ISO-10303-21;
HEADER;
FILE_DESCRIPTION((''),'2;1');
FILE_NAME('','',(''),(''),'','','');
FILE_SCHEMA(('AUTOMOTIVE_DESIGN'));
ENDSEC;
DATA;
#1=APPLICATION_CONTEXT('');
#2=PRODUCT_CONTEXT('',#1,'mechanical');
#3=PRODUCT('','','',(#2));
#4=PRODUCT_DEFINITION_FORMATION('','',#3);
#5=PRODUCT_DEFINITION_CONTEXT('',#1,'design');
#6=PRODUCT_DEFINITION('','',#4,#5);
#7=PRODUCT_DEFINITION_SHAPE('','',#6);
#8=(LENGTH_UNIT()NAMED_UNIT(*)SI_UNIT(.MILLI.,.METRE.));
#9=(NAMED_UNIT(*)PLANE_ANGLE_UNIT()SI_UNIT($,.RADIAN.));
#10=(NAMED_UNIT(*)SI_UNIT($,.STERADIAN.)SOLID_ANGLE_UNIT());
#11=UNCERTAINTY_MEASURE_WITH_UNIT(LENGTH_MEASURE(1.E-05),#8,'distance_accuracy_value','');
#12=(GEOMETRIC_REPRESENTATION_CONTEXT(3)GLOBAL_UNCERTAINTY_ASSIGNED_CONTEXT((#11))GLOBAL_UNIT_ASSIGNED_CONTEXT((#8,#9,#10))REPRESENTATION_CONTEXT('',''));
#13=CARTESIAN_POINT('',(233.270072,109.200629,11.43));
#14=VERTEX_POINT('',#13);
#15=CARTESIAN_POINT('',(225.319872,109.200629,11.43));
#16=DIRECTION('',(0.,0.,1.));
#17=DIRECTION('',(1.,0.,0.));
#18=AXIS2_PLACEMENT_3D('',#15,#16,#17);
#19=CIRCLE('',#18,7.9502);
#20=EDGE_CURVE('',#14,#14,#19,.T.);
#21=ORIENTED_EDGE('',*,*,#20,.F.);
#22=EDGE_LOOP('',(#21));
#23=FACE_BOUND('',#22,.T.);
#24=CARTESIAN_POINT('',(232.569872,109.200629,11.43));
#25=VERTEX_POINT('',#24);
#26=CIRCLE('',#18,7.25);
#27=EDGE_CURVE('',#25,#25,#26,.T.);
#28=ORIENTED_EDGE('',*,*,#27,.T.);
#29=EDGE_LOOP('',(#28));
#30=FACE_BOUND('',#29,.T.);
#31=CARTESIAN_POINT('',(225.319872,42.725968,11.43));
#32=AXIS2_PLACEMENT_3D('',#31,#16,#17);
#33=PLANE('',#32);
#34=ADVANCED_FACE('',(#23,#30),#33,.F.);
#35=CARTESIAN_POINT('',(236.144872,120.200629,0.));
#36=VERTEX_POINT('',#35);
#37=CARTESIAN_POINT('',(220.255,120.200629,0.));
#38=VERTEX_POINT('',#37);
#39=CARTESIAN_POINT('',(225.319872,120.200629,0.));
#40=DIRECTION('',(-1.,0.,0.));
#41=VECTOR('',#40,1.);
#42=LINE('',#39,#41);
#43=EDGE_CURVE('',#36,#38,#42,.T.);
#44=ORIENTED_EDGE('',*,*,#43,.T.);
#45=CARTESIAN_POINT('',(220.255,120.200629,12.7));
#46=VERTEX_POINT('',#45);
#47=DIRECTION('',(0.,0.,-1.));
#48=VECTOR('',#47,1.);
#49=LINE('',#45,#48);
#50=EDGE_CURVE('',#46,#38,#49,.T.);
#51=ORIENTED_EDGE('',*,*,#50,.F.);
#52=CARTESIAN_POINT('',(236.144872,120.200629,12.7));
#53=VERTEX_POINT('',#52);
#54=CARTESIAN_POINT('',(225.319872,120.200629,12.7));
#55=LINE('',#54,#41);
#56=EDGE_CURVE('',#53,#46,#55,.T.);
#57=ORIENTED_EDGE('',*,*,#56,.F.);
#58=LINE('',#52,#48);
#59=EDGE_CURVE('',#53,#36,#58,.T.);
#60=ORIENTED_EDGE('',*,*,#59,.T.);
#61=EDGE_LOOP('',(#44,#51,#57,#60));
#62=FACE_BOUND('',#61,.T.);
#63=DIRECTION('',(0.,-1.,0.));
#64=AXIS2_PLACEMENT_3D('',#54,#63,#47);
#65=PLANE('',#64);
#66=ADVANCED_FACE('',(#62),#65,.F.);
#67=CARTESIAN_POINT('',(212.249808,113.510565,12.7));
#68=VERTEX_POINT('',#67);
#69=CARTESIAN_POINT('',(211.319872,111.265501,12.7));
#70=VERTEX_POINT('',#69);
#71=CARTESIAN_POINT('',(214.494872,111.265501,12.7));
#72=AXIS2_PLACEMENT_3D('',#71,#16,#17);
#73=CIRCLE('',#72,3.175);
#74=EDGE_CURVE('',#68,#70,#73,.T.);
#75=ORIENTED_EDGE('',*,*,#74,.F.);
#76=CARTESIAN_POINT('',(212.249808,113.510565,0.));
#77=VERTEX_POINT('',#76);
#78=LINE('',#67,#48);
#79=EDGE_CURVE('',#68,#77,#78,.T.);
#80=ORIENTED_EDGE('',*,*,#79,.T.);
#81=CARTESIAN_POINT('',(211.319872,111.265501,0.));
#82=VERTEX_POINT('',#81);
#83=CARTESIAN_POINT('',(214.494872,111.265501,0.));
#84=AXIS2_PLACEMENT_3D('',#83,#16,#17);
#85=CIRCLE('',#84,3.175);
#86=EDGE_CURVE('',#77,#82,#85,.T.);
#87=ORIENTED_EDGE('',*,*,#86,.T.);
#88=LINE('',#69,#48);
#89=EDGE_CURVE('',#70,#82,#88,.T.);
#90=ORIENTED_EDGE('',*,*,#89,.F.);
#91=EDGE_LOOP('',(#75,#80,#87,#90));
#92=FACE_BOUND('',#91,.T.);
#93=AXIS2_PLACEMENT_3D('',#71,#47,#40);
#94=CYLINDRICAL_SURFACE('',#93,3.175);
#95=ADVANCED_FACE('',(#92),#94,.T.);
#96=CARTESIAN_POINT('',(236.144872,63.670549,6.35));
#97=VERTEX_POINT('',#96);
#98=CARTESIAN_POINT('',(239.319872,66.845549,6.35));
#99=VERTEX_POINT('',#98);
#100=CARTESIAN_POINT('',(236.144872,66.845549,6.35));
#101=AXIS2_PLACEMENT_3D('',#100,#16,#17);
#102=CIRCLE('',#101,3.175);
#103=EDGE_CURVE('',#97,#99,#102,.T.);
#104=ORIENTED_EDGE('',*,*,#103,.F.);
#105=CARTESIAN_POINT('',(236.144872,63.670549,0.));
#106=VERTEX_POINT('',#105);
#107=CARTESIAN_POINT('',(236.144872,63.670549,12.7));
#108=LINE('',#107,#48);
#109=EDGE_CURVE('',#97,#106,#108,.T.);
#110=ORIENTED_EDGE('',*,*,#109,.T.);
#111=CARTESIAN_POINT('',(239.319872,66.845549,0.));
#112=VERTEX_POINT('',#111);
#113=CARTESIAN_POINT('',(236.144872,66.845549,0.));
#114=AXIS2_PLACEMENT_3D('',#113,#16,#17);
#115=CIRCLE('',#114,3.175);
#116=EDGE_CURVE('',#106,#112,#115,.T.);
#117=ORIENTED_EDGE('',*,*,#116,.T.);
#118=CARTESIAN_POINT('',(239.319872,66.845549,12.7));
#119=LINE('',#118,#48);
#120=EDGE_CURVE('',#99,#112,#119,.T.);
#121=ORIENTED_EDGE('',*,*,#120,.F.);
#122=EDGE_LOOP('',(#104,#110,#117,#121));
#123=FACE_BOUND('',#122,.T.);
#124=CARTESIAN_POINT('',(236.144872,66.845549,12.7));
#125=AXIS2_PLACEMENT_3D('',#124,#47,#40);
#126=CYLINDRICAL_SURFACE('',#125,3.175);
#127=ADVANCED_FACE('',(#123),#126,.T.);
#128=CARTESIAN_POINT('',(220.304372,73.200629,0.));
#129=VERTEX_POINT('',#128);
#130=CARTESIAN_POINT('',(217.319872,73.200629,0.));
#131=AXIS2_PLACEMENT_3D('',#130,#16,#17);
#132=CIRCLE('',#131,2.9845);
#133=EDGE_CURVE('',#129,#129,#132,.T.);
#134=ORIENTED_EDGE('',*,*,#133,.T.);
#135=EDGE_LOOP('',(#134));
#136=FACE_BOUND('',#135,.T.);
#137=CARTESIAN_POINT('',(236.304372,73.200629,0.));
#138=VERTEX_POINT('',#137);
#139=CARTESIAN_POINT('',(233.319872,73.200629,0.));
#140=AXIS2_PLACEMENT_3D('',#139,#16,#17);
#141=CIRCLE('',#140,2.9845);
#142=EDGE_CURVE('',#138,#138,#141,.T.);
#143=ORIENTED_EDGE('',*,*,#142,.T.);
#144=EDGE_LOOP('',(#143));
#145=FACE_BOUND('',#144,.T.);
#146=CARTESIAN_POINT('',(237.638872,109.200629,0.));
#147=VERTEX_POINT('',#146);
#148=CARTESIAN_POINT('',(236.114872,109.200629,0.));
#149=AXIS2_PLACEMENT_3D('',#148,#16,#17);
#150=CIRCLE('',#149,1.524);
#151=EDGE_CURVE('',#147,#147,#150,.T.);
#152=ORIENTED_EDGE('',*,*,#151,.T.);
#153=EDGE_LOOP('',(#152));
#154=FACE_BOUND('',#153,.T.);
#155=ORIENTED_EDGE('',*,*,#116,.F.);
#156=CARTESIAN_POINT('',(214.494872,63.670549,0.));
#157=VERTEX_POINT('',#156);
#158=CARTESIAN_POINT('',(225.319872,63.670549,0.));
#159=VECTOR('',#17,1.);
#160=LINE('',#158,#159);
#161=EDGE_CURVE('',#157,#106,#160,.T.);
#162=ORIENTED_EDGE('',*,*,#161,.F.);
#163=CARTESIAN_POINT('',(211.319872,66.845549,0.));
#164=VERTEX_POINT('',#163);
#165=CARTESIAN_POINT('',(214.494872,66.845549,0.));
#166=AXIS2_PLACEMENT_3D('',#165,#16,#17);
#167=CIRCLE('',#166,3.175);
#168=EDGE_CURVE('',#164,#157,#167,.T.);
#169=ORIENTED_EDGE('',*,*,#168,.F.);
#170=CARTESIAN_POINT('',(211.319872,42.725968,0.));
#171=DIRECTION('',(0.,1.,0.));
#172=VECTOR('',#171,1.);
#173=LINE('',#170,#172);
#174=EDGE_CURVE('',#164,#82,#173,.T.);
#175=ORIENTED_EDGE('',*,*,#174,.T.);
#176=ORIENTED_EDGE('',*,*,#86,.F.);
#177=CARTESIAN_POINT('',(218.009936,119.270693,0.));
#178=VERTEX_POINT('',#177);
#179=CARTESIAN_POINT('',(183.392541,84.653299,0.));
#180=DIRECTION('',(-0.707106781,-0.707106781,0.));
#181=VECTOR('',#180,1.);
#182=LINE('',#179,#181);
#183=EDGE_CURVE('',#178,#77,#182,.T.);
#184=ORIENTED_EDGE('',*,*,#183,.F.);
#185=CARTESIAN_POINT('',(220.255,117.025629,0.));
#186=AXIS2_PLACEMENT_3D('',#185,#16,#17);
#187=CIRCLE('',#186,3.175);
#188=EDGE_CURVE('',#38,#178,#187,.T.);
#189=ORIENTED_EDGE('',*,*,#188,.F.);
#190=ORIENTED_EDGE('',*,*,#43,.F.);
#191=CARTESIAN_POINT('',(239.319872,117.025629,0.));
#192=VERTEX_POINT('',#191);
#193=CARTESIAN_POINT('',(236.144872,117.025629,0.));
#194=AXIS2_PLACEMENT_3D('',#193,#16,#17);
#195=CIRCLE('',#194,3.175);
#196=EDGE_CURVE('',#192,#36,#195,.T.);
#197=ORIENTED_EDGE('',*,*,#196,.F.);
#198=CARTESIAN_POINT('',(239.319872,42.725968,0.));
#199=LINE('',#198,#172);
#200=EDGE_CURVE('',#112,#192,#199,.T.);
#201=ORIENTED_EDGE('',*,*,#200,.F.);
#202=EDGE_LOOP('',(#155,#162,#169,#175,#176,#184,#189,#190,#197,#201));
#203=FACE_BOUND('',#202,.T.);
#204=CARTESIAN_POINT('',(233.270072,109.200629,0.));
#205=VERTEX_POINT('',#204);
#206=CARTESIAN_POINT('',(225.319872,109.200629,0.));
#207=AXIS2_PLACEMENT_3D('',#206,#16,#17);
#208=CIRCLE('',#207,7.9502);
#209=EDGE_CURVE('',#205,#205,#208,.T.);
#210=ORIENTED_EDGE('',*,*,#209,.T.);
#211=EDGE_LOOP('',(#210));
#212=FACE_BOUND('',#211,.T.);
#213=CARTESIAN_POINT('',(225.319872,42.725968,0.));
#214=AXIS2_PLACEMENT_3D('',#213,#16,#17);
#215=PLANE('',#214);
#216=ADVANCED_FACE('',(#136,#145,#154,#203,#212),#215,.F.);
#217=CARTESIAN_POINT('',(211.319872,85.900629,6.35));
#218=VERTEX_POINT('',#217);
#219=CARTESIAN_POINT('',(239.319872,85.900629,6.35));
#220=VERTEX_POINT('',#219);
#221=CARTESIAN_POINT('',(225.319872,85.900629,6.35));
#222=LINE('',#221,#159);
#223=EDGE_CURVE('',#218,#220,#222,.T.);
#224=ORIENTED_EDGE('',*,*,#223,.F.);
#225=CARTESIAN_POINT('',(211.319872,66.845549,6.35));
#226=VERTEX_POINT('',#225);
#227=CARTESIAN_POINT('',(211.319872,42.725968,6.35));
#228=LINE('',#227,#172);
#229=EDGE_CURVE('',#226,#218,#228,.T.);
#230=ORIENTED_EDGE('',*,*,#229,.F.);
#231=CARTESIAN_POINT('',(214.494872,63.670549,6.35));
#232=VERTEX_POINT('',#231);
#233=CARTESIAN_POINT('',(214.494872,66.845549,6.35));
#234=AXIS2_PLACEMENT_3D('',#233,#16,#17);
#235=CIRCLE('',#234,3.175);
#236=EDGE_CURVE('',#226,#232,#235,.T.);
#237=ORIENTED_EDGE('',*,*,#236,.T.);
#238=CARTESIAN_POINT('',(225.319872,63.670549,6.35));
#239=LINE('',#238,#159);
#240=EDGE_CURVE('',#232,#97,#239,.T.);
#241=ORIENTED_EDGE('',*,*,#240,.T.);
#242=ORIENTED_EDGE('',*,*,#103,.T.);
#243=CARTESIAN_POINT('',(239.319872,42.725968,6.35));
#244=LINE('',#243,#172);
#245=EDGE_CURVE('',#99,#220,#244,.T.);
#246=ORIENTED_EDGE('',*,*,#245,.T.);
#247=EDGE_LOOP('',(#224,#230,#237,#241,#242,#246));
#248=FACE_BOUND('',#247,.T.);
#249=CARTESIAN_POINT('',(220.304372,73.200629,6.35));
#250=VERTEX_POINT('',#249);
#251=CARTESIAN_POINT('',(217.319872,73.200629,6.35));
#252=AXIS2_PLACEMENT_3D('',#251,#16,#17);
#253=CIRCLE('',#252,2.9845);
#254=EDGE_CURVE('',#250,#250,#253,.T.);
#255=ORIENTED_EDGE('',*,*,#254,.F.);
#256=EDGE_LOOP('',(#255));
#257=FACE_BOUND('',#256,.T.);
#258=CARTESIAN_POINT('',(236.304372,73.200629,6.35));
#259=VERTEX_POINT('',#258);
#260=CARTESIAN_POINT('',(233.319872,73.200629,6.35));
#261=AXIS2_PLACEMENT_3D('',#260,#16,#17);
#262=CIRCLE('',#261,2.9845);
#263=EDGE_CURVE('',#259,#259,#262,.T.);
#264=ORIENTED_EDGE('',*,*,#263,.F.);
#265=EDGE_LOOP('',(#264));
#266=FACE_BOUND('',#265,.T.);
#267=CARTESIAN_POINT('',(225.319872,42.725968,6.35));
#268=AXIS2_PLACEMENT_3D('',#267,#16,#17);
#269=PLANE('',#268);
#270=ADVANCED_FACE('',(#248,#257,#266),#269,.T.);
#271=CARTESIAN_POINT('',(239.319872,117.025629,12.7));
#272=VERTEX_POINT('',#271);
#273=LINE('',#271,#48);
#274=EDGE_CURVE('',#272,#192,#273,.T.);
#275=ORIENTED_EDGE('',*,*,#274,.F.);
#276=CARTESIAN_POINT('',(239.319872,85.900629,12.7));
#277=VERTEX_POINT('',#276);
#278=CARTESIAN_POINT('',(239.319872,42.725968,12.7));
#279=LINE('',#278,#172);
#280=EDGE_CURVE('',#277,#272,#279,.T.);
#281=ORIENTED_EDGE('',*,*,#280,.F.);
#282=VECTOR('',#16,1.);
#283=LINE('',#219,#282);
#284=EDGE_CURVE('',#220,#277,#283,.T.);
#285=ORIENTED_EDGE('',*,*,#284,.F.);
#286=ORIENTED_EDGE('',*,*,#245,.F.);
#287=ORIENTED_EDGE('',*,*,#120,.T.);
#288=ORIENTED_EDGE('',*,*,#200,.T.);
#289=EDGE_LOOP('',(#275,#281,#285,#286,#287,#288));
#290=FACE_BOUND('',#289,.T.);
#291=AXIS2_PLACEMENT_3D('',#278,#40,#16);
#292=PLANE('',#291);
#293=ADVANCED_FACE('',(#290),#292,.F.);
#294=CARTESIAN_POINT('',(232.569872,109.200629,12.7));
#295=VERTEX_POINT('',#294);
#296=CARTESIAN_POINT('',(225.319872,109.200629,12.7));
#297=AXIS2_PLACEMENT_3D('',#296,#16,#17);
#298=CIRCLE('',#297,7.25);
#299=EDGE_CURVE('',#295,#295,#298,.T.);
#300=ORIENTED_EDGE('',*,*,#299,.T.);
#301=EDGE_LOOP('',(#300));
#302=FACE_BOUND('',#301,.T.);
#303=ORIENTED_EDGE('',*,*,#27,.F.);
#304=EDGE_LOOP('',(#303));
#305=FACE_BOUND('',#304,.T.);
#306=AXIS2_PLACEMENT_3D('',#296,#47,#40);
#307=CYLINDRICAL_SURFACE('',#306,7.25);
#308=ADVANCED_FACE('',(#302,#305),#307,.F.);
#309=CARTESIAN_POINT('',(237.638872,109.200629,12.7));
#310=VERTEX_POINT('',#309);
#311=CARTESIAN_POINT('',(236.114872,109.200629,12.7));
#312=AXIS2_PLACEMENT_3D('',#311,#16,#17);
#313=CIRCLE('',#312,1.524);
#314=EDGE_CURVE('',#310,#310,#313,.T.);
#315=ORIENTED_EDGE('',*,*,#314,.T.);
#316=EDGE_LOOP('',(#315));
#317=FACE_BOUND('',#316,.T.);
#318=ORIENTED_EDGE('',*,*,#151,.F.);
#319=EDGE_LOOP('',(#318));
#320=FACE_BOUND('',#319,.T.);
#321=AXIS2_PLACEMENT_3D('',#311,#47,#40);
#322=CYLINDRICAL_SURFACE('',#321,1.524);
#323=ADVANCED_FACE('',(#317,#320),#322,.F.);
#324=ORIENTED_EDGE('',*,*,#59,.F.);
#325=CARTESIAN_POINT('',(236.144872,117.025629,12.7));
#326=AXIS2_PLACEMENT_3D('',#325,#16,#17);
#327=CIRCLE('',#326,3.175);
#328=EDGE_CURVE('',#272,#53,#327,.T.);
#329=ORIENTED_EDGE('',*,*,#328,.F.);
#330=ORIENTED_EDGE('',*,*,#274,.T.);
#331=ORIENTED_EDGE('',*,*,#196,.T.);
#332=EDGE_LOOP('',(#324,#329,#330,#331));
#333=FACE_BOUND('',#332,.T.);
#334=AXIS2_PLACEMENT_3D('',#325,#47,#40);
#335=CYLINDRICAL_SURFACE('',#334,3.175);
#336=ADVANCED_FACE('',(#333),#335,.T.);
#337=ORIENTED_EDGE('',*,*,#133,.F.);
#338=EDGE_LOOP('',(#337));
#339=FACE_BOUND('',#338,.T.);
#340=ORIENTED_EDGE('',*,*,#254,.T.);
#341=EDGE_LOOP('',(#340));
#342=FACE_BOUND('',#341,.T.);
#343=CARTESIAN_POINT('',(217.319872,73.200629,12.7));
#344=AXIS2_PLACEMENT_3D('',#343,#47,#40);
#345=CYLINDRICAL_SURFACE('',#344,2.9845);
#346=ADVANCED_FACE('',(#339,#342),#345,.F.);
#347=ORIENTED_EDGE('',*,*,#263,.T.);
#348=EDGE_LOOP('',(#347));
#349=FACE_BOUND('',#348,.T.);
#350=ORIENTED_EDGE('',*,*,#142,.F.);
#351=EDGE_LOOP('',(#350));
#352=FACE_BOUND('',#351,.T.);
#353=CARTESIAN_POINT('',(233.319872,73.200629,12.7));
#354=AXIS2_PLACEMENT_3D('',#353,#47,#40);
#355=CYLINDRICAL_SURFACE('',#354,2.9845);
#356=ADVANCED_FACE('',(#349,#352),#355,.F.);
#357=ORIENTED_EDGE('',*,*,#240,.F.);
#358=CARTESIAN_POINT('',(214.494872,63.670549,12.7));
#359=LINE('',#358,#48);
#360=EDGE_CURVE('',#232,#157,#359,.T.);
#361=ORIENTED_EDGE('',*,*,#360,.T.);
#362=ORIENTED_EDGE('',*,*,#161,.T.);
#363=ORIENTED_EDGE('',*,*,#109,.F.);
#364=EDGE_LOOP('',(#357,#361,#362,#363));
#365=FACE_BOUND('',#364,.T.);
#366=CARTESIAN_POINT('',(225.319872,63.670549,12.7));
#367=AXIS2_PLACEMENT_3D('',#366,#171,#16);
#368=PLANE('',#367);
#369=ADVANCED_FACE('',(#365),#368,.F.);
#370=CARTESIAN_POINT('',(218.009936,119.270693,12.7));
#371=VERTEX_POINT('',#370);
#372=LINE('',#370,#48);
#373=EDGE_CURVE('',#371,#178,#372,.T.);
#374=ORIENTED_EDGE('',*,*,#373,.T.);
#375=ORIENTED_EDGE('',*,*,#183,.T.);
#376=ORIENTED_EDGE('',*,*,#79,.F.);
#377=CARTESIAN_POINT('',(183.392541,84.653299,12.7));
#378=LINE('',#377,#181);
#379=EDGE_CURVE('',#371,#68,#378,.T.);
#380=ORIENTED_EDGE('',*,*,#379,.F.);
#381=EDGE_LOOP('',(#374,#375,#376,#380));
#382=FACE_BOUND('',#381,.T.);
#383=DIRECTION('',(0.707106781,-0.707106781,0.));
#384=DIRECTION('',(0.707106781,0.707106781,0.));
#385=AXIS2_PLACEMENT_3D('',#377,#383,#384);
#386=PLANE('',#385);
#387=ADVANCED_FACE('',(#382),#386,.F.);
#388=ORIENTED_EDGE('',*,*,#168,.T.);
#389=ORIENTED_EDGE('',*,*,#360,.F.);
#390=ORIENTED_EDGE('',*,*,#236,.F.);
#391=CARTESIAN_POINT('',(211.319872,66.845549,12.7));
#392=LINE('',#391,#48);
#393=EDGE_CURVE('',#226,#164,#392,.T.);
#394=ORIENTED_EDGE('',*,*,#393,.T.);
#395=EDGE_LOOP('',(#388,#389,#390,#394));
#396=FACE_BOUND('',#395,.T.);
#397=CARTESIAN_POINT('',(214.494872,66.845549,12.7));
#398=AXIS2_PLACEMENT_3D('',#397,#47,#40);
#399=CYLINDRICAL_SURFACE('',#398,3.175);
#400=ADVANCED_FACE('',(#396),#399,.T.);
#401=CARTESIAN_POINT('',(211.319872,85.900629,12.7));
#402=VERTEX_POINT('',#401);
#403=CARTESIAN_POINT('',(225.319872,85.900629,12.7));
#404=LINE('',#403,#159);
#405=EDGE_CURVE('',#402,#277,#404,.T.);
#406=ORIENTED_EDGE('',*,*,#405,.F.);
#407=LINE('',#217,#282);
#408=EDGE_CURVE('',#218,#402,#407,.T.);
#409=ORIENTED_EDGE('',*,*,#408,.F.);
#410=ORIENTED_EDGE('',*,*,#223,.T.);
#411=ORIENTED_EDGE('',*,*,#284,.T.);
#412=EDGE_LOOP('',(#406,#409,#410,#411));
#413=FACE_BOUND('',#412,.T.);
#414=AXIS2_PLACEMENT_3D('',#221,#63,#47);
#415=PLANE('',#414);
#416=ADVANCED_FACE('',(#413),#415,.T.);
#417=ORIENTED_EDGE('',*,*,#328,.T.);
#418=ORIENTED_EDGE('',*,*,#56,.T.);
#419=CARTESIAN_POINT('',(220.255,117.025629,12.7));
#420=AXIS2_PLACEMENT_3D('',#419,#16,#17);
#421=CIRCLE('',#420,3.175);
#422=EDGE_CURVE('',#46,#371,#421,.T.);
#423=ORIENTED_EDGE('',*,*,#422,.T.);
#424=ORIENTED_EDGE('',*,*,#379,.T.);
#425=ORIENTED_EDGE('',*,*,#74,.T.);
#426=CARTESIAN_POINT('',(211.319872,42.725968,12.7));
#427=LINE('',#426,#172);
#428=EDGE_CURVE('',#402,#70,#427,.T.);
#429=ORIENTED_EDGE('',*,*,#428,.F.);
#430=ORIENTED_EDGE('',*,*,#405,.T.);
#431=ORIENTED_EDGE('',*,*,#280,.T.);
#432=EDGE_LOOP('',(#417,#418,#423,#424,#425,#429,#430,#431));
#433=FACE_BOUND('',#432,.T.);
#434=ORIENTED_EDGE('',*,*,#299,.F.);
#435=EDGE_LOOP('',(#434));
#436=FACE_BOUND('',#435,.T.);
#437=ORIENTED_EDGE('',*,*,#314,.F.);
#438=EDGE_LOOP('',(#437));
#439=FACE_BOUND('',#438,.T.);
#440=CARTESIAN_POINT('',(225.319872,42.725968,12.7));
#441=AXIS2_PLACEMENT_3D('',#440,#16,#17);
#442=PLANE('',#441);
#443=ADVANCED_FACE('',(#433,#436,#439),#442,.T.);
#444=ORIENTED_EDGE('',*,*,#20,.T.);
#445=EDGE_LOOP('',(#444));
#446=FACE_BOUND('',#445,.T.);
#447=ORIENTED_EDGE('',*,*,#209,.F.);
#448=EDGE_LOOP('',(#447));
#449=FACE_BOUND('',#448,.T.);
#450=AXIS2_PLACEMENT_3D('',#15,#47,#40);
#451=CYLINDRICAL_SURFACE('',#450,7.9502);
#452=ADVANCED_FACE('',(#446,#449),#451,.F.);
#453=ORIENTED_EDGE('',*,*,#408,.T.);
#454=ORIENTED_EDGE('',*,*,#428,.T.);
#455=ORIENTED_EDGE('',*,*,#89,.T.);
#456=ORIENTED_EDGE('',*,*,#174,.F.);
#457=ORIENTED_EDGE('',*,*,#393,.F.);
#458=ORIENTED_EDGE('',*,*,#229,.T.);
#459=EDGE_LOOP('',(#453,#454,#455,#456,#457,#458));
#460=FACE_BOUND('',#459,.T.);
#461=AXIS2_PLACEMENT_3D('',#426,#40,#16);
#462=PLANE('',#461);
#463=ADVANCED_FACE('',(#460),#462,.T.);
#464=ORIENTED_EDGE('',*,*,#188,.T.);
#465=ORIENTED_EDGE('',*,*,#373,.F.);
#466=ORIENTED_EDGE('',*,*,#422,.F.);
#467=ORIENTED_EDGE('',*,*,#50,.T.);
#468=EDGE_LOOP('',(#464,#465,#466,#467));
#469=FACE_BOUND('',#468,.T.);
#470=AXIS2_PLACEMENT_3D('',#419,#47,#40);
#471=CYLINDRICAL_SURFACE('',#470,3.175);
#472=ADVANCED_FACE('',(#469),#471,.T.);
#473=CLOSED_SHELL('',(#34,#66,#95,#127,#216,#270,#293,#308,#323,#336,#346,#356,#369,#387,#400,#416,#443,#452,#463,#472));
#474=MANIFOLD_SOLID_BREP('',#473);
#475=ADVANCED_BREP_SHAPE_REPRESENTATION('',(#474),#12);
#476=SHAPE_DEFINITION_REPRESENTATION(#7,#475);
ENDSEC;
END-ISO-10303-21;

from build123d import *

# Parameters (mm, degrees)
SKETCH1_R           = 2.9845
SKETCH1_R_2         = 7.9502
SKETCH1_R_3         = 1.524
SKETCH1_R_4         = 7.250000001
BOSS_EXTRUDE1_DEPTH = 12.7
SKETCH1_3_R         = 7.9502
SKETCH1_3_R_2       = 7.250000001
CUT_EXTRUDE1_DEPTH  = 11.43
CUT_EXTRUDE2_START  = 6.35
SKETCH1_4_R         = 2.9845
CUT_EXTRUDE2_DEPTH  = 6.35


with BuildPart() as part:
    # Sketch1 → Boss-Extrude1 (new body)
    # profile 1 of 3: a face of its own
    with BuildSketch(Plane.XY):
        with BuildLine():
            ThreePointArc((211.319871652, 66.845549451), (212.249807622, 64.60048542), (214.494871652, 63.670549451))
            Line((214.494871652, 63.670549451), (236.144871651, 63.670549451))
            ThreePointArc((236.144871651, 63.670549451), (238.389935682, 64.60048542), (239.319871651, 66.845549451))
            Line((239.319871651, 66.845549451), (239.319871651, 85.900629451))
            Line((239.319871651, 85.900629451), (211.319871652, 85.900629451))
            Line((211.319871652, 85.900629451), (211.319871652, 66.845549451))
        make_face()
        with Locations((217.319871651, 73.200629451)):
            Circle(SKETCH1_R, mode=Mode.SUBTRACT)
        with Locations((233.319871652, 73.200629451)):
            Circle(SKETCH1_R, mode=Mode.SUBTRACT)
    # profile 2 of 3: a face of its own
    with BuildSketch(Plane.XY):
        with BuildLine():
            Line((211.319871652, 111.26550139), (211.319871652, 85.900629451))
            Line((211.319871652, 85.900629451), (239.319871651, 85.900629451))
            Line((239.319871651, 85.900629451), (239.319871651, 117.025629451))
            ThreePointArc((239.319871651, 117.025629451), (238.389935682, 119.270693481), (236.144871651, 120.200629451))
            Line((236.144871651, 120.200629451), (220.254999713, 120.200629451))
            ThreePointArc((220.254999713, 120.200629451), (219.039979814, 119.958946966), (218.009935681, 119.27069348))
            Line((218.009935681, 119.27069348), (212.24980762, 113.510565419))
            ThreePointArc((212.24980762, 113.510565419), (211.561554136, 112.480521287), (211.319871652, 111.26550139))
        make_face()
        with Locations((225.31987165, 109.200629449)):
            Circle(SKETCH1_R_2, mode=Mode.SUBTRACT)
        with Locations((236.11487165, 109.200629449)):
            Circle(SKETCH1_R_3, mode=Mode.SUBTRACT)
    # profile 3 of 3: a face of its own
    with BuildSketch(Plane.XY):
        with Locations((225.31987165, 109.200629449)):
            Circle(SKETCH1_R_2)
        with Locations((225.31987165, 109.200629449)):
            Circle(SKETCH1_R_4, mode=Mode.SUBTRACT)
    extrude(amount=BOSS_EXTRUDE1_DEPTH)

    # Sketch1<3> → Cut-Extrude1 (cut)
    with BuildSketch(Plane.XY):
        with Locations((225.31987165, 109.200629449)):
            Circle(SKETCH1_3_R)
        with Locations((225.31987165, 109.200629449)):
            Circle(SKETCH1_3_R_2, mode=Mode.SUBTRACT)
    extrude(amount=CUT_EXTRUDE1_DEPTH, mode=Mode.SUBTRACT)

    # Sketch1<4> → Cut-Extrude2 (cut)
    with BuildSketch(Plane.XY.offset(CUT_EXTRUDE2_START)):
        with BuildLine():
            ThreePointArc((211.319871652, 66.845549451), (212.249807622, 64.60048542), (214.494871652, 63.670549451))
            Line((214.494871652, 63.670549451), (236.144871651, 63.670549451))
            ThreePointArc((236.144871651, 63.670549451), (238.389935682, 64.60048542), (239.319871651, 66.845549451))
            Line((239.319871651, 66.845549451), (239.319871651, 85.900629451))
            Line((239.319871651, 85.900629451), (211.319871652, 85.900629451))
            Line((211.319871652, 85.900629451), (211.319871652, 66.845549451))
        make_face()
        with Locations((217.319871651, 73.200629451)):
            Circle(SKETCH1_4_R, mode=Mode.SUBTRACT)
        with Locations((233.319871652, 73.200629451)):
            Circle(SKETCH1_4_R, mode=Mode.SUBTRACT)
    extrude(amount=CUT_EXTRUDE2_DEPTH, mode=Mode.SUBTRACT)


solid = part.part
